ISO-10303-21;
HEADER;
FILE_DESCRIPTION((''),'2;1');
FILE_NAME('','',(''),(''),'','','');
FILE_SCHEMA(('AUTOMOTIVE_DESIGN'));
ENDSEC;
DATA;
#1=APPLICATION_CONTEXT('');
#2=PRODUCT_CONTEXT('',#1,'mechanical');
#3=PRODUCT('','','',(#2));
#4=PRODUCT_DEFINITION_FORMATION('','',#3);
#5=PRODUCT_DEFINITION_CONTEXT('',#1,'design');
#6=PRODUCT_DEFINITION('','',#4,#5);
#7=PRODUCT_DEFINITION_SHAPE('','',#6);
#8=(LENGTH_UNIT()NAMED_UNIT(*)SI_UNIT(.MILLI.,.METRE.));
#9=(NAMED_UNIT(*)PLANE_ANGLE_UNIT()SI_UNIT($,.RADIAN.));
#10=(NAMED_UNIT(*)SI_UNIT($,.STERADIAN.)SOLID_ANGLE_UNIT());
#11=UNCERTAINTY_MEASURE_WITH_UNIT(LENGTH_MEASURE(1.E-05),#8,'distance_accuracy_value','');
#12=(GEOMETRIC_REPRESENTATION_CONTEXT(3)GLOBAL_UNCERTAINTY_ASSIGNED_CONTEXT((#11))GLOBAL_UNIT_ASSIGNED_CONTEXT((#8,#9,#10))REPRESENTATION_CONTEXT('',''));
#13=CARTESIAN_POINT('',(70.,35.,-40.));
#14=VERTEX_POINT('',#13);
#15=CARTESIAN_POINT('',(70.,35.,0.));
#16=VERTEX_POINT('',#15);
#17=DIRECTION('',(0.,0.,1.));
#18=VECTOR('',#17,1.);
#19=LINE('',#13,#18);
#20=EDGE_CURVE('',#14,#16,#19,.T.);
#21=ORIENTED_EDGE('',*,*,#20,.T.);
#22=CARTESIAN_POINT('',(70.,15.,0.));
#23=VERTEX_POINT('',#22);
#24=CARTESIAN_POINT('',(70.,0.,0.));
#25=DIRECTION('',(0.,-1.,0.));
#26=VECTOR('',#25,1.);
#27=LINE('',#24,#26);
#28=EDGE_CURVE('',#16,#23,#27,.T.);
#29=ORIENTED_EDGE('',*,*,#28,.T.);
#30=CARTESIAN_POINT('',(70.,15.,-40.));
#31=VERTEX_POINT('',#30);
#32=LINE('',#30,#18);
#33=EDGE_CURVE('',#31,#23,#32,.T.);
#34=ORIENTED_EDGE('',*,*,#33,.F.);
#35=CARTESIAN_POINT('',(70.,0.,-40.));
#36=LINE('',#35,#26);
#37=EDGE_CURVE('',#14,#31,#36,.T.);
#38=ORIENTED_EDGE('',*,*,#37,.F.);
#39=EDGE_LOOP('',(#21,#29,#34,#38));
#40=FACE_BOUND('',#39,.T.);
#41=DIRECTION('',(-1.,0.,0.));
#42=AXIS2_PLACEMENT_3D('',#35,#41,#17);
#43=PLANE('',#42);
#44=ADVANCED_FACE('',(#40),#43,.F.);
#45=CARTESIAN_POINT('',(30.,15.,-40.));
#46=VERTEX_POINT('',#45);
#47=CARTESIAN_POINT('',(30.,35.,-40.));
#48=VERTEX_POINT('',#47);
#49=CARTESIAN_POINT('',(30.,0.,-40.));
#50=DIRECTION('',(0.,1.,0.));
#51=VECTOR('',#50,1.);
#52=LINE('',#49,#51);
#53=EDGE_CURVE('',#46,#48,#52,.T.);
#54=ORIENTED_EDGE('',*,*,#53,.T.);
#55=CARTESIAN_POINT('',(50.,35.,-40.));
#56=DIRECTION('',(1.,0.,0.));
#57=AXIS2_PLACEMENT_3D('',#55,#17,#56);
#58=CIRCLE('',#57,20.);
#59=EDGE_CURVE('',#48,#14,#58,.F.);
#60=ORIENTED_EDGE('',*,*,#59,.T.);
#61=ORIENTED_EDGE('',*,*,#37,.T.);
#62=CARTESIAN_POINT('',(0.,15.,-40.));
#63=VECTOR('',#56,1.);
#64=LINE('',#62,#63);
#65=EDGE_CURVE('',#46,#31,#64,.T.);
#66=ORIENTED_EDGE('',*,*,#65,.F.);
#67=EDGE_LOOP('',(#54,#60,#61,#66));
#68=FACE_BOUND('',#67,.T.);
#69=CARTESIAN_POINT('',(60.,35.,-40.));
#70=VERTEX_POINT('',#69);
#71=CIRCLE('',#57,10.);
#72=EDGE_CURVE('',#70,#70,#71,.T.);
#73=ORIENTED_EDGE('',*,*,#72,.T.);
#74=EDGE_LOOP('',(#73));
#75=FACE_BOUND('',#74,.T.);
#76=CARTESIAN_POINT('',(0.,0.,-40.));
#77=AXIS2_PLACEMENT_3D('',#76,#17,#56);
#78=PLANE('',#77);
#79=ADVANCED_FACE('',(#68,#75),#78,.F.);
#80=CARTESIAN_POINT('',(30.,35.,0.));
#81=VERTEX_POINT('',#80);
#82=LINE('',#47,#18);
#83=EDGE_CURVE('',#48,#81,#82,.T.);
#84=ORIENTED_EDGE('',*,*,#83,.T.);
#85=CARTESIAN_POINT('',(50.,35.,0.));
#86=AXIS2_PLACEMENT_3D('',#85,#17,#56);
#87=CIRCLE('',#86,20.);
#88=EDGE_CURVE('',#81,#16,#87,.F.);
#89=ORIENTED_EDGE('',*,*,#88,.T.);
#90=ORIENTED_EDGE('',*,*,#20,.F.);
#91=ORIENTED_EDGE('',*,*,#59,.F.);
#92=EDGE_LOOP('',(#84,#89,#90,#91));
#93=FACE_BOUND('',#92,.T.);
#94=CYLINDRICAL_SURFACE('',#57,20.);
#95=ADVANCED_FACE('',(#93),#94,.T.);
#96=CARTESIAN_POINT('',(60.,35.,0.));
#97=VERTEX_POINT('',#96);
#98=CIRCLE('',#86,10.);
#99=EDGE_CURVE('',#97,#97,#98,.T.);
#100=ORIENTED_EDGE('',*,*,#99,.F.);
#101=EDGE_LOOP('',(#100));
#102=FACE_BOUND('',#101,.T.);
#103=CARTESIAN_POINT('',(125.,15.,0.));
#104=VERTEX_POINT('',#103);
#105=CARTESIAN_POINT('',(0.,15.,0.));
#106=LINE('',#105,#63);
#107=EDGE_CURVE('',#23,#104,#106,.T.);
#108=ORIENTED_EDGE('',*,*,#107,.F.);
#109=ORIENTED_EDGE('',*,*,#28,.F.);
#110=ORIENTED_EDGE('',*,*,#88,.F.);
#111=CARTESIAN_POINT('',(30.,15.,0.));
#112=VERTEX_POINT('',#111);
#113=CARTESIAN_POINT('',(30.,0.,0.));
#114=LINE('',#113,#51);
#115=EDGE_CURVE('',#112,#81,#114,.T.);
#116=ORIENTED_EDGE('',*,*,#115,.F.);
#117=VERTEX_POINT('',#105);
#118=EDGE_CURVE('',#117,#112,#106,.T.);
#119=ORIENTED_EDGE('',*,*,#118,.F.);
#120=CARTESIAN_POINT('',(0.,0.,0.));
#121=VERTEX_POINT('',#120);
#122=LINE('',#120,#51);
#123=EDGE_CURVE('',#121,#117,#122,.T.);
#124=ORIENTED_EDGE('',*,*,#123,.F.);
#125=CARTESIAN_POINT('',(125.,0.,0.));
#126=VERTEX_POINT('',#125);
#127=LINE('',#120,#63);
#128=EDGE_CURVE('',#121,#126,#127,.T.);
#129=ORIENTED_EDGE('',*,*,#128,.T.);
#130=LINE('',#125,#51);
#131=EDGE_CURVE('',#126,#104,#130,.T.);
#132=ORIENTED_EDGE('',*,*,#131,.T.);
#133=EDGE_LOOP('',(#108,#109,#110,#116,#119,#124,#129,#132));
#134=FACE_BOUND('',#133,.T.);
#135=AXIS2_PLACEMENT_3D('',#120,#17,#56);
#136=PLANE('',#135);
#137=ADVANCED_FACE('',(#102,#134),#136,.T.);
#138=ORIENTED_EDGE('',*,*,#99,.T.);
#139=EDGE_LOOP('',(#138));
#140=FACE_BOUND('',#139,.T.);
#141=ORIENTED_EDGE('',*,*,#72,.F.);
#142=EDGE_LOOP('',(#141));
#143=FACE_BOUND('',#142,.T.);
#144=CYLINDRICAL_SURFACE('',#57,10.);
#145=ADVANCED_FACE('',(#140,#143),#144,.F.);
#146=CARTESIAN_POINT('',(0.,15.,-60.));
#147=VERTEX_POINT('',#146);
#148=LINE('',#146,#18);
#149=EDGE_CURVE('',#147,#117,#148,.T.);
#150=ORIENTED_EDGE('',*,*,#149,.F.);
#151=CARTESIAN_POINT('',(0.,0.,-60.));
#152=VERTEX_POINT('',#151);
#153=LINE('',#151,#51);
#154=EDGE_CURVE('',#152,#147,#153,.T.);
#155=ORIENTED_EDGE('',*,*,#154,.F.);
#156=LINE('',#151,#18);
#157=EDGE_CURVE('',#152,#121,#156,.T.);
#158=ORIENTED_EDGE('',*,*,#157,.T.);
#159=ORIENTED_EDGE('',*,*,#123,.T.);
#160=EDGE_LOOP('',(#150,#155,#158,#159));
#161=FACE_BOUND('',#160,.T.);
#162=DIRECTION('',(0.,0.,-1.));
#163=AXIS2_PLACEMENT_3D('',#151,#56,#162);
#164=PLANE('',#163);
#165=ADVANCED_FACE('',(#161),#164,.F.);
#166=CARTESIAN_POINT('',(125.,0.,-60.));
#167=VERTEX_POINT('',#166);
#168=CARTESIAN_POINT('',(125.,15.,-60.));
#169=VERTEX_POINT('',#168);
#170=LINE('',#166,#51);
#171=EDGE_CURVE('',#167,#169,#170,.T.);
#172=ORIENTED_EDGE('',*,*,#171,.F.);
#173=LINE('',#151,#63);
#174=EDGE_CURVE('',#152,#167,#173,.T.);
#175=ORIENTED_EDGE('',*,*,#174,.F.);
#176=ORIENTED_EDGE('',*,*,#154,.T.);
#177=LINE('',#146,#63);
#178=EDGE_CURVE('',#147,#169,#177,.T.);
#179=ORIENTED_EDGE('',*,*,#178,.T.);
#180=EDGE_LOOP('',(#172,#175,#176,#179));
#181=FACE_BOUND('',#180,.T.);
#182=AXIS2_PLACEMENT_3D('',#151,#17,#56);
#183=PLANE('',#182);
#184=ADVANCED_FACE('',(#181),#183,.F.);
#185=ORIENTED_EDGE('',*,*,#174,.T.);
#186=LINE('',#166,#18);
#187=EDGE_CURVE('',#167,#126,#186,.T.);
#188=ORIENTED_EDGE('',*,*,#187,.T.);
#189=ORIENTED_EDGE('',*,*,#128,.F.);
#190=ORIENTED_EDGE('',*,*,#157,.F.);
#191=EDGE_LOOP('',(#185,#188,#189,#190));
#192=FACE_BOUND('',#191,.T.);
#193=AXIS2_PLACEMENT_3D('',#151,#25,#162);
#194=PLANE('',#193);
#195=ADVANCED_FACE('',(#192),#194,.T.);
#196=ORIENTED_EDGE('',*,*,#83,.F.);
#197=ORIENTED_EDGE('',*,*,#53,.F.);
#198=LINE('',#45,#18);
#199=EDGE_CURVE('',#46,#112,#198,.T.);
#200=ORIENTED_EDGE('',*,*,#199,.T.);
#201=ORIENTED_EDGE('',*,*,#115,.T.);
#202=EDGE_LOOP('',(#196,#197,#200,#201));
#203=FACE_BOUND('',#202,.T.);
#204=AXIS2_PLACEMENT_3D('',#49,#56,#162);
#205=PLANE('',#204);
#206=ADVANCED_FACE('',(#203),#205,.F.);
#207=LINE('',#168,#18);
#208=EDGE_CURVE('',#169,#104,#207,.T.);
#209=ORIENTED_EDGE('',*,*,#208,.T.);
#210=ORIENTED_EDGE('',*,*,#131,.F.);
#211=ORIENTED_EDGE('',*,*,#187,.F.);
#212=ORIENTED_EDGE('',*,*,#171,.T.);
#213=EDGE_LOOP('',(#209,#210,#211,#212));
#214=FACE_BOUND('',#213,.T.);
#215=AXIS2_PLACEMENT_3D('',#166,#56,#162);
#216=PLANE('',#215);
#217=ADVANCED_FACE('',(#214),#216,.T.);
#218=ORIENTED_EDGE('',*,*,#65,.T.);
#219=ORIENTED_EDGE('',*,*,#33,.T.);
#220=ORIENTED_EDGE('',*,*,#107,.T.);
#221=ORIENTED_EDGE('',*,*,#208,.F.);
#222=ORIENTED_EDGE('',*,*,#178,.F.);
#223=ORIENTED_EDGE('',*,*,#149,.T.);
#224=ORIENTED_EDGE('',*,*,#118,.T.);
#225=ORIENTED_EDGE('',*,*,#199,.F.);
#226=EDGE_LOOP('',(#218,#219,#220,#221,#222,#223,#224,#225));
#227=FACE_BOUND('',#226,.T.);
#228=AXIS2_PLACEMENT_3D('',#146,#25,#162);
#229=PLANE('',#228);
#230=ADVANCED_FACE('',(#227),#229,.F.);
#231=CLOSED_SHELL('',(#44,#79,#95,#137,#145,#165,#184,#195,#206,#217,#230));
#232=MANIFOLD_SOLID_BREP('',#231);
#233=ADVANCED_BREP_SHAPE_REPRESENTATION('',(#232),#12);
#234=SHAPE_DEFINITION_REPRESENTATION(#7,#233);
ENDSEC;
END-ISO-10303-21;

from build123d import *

# Parameters (mm, degrees)
BOSS_EXTRUDE1_DEPTH = 60
SKETCH1_3_R         = 10
BOSS_EXTRUDE2_DEPTH = 40


with BuildPart() as part:
    # Sketch1 → Boss-Extrude1 (new body)
    with BuildSketch(Plane.XY):
        Polygon((70, 15), (30, 15), (0, 15), (0, 0), (125, 0), (125, 15), align=None)
    extrude(amount=-BOSS_EXTRUDE1_DEPTH)

    # Sketch1<3> → Boss-Extrude2 (add)
    with BuildSketch(Plane.XY):
        with BuildLine():
            Line((30, 35), (30, 15))
            Line((30, 15), (70, 15))
            Line((70, 15), (70, 35))
            ThreePointArc((70, 35), (50, 55), (30, 35))
        make_face()
        with Locations((50, 35)):
            Circle(SKETCH1_3_R, mode=Mode.SUBTRACT)
    extrude(amount=-BOSS_EXTRUDE2_DEPTH)


solid = part.part
